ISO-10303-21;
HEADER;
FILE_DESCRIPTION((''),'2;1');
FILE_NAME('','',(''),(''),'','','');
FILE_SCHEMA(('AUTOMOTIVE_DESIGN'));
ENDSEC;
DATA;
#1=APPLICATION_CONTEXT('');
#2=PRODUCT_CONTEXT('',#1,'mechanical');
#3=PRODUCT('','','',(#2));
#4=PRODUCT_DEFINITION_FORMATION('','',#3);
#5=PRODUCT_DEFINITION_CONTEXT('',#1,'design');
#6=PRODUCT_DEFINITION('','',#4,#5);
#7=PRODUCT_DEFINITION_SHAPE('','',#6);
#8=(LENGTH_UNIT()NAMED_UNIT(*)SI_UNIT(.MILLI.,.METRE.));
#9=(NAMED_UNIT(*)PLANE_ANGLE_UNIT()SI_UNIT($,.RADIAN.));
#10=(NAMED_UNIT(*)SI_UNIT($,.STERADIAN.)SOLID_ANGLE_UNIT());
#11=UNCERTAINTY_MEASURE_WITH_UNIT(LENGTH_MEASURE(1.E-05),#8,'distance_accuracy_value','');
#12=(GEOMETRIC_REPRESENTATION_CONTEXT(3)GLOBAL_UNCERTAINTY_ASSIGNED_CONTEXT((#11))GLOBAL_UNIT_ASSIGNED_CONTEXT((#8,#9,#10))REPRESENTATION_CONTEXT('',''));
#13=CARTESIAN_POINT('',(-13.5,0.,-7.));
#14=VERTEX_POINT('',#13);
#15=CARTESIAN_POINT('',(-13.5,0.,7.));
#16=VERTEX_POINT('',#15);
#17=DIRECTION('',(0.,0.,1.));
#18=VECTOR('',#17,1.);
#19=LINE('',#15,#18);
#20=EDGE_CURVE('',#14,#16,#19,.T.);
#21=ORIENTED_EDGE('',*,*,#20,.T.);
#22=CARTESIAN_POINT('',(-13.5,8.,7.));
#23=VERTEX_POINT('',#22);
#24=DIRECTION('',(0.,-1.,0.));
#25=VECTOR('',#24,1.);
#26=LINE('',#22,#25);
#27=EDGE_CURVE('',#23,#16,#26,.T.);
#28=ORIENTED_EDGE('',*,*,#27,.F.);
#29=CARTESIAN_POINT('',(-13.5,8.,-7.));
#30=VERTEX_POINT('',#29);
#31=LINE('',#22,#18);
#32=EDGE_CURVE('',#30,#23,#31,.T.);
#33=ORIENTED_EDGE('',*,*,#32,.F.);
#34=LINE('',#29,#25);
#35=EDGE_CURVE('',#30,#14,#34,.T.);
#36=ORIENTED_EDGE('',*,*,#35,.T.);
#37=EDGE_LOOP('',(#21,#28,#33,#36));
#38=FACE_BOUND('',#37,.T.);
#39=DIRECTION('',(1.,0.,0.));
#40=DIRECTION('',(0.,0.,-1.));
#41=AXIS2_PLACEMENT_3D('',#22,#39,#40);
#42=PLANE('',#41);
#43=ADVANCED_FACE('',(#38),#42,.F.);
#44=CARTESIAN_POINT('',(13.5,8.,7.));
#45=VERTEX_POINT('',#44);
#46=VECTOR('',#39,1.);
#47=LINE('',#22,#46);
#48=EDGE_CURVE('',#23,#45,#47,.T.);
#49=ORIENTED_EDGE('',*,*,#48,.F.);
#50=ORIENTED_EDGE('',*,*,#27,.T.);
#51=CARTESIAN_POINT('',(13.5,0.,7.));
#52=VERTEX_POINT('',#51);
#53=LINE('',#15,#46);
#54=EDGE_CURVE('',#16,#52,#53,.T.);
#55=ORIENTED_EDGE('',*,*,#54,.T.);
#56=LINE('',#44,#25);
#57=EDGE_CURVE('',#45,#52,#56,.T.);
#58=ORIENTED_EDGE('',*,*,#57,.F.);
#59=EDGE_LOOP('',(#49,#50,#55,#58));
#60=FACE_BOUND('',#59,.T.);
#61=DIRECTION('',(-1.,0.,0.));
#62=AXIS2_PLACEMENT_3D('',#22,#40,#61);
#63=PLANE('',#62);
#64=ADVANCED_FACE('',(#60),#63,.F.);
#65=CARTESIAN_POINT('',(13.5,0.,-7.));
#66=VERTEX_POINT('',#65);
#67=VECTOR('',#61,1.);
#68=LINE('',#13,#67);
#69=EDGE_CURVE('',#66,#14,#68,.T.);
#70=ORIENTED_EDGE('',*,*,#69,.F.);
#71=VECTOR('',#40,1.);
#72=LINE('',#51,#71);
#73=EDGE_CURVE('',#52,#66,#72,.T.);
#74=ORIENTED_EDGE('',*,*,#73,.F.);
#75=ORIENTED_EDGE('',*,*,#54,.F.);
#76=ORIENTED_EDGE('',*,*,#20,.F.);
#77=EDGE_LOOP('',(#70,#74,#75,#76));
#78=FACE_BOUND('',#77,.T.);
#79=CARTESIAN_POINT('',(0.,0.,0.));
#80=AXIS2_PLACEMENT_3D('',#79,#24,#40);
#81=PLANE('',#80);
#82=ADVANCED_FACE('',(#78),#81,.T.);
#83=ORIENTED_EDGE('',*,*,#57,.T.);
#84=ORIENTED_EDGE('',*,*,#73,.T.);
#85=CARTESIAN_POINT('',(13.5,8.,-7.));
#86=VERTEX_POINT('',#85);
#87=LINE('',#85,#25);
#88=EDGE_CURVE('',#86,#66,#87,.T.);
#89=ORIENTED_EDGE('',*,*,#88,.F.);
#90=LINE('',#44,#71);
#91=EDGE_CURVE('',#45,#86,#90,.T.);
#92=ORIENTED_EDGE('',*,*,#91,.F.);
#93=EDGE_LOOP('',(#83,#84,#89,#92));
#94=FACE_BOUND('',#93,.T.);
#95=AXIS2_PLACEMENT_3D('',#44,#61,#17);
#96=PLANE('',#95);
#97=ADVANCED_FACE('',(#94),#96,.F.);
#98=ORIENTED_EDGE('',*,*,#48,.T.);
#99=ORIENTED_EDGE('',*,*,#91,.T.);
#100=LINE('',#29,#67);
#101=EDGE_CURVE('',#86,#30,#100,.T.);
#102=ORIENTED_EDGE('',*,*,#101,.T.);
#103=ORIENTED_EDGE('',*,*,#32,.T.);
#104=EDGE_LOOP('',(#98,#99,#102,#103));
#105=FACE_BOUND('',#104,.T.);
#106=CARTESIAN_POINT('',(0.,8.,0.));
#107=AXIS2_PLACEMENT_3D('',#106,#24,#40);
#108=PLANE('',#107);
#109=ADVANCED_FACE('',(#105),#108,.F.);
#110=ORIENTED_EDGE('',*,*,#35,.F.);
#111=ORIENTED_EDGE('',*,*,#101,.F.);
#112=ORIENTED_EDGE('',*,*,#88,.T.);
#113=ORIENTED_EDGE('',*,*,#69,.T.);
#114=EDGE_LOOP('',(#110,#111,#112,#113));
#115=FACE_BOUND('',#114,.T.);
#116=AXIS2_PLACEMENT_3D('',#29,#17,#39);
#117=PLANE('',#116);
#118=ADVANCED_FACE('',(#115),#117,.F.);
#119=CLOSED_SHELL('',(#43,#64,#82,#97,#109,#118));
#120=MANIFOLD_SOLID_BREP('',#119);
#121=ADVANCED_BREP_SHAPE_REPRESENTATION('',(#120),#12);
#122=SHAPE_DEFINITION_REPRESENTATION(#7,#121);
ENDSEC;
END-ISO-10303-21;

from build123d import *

# Parameters (mm, degrees)
SKETCH1_W     = 27
SKETCH1_H     = 14
HOUSING_DEPTH = 8


with BuildPart() as part:
    # Sketch1 → Housing (new body)
    with BuildSketch(Plane(origin=(0, 0, 0), x_dir=(1, 0, 0), z_dir=(0, 1, 0))):
        Rectangle(SKETCH1_W, SKETCH1_H)
    extrude(amount=HOUSING_DEPTH)


solid = part.part
